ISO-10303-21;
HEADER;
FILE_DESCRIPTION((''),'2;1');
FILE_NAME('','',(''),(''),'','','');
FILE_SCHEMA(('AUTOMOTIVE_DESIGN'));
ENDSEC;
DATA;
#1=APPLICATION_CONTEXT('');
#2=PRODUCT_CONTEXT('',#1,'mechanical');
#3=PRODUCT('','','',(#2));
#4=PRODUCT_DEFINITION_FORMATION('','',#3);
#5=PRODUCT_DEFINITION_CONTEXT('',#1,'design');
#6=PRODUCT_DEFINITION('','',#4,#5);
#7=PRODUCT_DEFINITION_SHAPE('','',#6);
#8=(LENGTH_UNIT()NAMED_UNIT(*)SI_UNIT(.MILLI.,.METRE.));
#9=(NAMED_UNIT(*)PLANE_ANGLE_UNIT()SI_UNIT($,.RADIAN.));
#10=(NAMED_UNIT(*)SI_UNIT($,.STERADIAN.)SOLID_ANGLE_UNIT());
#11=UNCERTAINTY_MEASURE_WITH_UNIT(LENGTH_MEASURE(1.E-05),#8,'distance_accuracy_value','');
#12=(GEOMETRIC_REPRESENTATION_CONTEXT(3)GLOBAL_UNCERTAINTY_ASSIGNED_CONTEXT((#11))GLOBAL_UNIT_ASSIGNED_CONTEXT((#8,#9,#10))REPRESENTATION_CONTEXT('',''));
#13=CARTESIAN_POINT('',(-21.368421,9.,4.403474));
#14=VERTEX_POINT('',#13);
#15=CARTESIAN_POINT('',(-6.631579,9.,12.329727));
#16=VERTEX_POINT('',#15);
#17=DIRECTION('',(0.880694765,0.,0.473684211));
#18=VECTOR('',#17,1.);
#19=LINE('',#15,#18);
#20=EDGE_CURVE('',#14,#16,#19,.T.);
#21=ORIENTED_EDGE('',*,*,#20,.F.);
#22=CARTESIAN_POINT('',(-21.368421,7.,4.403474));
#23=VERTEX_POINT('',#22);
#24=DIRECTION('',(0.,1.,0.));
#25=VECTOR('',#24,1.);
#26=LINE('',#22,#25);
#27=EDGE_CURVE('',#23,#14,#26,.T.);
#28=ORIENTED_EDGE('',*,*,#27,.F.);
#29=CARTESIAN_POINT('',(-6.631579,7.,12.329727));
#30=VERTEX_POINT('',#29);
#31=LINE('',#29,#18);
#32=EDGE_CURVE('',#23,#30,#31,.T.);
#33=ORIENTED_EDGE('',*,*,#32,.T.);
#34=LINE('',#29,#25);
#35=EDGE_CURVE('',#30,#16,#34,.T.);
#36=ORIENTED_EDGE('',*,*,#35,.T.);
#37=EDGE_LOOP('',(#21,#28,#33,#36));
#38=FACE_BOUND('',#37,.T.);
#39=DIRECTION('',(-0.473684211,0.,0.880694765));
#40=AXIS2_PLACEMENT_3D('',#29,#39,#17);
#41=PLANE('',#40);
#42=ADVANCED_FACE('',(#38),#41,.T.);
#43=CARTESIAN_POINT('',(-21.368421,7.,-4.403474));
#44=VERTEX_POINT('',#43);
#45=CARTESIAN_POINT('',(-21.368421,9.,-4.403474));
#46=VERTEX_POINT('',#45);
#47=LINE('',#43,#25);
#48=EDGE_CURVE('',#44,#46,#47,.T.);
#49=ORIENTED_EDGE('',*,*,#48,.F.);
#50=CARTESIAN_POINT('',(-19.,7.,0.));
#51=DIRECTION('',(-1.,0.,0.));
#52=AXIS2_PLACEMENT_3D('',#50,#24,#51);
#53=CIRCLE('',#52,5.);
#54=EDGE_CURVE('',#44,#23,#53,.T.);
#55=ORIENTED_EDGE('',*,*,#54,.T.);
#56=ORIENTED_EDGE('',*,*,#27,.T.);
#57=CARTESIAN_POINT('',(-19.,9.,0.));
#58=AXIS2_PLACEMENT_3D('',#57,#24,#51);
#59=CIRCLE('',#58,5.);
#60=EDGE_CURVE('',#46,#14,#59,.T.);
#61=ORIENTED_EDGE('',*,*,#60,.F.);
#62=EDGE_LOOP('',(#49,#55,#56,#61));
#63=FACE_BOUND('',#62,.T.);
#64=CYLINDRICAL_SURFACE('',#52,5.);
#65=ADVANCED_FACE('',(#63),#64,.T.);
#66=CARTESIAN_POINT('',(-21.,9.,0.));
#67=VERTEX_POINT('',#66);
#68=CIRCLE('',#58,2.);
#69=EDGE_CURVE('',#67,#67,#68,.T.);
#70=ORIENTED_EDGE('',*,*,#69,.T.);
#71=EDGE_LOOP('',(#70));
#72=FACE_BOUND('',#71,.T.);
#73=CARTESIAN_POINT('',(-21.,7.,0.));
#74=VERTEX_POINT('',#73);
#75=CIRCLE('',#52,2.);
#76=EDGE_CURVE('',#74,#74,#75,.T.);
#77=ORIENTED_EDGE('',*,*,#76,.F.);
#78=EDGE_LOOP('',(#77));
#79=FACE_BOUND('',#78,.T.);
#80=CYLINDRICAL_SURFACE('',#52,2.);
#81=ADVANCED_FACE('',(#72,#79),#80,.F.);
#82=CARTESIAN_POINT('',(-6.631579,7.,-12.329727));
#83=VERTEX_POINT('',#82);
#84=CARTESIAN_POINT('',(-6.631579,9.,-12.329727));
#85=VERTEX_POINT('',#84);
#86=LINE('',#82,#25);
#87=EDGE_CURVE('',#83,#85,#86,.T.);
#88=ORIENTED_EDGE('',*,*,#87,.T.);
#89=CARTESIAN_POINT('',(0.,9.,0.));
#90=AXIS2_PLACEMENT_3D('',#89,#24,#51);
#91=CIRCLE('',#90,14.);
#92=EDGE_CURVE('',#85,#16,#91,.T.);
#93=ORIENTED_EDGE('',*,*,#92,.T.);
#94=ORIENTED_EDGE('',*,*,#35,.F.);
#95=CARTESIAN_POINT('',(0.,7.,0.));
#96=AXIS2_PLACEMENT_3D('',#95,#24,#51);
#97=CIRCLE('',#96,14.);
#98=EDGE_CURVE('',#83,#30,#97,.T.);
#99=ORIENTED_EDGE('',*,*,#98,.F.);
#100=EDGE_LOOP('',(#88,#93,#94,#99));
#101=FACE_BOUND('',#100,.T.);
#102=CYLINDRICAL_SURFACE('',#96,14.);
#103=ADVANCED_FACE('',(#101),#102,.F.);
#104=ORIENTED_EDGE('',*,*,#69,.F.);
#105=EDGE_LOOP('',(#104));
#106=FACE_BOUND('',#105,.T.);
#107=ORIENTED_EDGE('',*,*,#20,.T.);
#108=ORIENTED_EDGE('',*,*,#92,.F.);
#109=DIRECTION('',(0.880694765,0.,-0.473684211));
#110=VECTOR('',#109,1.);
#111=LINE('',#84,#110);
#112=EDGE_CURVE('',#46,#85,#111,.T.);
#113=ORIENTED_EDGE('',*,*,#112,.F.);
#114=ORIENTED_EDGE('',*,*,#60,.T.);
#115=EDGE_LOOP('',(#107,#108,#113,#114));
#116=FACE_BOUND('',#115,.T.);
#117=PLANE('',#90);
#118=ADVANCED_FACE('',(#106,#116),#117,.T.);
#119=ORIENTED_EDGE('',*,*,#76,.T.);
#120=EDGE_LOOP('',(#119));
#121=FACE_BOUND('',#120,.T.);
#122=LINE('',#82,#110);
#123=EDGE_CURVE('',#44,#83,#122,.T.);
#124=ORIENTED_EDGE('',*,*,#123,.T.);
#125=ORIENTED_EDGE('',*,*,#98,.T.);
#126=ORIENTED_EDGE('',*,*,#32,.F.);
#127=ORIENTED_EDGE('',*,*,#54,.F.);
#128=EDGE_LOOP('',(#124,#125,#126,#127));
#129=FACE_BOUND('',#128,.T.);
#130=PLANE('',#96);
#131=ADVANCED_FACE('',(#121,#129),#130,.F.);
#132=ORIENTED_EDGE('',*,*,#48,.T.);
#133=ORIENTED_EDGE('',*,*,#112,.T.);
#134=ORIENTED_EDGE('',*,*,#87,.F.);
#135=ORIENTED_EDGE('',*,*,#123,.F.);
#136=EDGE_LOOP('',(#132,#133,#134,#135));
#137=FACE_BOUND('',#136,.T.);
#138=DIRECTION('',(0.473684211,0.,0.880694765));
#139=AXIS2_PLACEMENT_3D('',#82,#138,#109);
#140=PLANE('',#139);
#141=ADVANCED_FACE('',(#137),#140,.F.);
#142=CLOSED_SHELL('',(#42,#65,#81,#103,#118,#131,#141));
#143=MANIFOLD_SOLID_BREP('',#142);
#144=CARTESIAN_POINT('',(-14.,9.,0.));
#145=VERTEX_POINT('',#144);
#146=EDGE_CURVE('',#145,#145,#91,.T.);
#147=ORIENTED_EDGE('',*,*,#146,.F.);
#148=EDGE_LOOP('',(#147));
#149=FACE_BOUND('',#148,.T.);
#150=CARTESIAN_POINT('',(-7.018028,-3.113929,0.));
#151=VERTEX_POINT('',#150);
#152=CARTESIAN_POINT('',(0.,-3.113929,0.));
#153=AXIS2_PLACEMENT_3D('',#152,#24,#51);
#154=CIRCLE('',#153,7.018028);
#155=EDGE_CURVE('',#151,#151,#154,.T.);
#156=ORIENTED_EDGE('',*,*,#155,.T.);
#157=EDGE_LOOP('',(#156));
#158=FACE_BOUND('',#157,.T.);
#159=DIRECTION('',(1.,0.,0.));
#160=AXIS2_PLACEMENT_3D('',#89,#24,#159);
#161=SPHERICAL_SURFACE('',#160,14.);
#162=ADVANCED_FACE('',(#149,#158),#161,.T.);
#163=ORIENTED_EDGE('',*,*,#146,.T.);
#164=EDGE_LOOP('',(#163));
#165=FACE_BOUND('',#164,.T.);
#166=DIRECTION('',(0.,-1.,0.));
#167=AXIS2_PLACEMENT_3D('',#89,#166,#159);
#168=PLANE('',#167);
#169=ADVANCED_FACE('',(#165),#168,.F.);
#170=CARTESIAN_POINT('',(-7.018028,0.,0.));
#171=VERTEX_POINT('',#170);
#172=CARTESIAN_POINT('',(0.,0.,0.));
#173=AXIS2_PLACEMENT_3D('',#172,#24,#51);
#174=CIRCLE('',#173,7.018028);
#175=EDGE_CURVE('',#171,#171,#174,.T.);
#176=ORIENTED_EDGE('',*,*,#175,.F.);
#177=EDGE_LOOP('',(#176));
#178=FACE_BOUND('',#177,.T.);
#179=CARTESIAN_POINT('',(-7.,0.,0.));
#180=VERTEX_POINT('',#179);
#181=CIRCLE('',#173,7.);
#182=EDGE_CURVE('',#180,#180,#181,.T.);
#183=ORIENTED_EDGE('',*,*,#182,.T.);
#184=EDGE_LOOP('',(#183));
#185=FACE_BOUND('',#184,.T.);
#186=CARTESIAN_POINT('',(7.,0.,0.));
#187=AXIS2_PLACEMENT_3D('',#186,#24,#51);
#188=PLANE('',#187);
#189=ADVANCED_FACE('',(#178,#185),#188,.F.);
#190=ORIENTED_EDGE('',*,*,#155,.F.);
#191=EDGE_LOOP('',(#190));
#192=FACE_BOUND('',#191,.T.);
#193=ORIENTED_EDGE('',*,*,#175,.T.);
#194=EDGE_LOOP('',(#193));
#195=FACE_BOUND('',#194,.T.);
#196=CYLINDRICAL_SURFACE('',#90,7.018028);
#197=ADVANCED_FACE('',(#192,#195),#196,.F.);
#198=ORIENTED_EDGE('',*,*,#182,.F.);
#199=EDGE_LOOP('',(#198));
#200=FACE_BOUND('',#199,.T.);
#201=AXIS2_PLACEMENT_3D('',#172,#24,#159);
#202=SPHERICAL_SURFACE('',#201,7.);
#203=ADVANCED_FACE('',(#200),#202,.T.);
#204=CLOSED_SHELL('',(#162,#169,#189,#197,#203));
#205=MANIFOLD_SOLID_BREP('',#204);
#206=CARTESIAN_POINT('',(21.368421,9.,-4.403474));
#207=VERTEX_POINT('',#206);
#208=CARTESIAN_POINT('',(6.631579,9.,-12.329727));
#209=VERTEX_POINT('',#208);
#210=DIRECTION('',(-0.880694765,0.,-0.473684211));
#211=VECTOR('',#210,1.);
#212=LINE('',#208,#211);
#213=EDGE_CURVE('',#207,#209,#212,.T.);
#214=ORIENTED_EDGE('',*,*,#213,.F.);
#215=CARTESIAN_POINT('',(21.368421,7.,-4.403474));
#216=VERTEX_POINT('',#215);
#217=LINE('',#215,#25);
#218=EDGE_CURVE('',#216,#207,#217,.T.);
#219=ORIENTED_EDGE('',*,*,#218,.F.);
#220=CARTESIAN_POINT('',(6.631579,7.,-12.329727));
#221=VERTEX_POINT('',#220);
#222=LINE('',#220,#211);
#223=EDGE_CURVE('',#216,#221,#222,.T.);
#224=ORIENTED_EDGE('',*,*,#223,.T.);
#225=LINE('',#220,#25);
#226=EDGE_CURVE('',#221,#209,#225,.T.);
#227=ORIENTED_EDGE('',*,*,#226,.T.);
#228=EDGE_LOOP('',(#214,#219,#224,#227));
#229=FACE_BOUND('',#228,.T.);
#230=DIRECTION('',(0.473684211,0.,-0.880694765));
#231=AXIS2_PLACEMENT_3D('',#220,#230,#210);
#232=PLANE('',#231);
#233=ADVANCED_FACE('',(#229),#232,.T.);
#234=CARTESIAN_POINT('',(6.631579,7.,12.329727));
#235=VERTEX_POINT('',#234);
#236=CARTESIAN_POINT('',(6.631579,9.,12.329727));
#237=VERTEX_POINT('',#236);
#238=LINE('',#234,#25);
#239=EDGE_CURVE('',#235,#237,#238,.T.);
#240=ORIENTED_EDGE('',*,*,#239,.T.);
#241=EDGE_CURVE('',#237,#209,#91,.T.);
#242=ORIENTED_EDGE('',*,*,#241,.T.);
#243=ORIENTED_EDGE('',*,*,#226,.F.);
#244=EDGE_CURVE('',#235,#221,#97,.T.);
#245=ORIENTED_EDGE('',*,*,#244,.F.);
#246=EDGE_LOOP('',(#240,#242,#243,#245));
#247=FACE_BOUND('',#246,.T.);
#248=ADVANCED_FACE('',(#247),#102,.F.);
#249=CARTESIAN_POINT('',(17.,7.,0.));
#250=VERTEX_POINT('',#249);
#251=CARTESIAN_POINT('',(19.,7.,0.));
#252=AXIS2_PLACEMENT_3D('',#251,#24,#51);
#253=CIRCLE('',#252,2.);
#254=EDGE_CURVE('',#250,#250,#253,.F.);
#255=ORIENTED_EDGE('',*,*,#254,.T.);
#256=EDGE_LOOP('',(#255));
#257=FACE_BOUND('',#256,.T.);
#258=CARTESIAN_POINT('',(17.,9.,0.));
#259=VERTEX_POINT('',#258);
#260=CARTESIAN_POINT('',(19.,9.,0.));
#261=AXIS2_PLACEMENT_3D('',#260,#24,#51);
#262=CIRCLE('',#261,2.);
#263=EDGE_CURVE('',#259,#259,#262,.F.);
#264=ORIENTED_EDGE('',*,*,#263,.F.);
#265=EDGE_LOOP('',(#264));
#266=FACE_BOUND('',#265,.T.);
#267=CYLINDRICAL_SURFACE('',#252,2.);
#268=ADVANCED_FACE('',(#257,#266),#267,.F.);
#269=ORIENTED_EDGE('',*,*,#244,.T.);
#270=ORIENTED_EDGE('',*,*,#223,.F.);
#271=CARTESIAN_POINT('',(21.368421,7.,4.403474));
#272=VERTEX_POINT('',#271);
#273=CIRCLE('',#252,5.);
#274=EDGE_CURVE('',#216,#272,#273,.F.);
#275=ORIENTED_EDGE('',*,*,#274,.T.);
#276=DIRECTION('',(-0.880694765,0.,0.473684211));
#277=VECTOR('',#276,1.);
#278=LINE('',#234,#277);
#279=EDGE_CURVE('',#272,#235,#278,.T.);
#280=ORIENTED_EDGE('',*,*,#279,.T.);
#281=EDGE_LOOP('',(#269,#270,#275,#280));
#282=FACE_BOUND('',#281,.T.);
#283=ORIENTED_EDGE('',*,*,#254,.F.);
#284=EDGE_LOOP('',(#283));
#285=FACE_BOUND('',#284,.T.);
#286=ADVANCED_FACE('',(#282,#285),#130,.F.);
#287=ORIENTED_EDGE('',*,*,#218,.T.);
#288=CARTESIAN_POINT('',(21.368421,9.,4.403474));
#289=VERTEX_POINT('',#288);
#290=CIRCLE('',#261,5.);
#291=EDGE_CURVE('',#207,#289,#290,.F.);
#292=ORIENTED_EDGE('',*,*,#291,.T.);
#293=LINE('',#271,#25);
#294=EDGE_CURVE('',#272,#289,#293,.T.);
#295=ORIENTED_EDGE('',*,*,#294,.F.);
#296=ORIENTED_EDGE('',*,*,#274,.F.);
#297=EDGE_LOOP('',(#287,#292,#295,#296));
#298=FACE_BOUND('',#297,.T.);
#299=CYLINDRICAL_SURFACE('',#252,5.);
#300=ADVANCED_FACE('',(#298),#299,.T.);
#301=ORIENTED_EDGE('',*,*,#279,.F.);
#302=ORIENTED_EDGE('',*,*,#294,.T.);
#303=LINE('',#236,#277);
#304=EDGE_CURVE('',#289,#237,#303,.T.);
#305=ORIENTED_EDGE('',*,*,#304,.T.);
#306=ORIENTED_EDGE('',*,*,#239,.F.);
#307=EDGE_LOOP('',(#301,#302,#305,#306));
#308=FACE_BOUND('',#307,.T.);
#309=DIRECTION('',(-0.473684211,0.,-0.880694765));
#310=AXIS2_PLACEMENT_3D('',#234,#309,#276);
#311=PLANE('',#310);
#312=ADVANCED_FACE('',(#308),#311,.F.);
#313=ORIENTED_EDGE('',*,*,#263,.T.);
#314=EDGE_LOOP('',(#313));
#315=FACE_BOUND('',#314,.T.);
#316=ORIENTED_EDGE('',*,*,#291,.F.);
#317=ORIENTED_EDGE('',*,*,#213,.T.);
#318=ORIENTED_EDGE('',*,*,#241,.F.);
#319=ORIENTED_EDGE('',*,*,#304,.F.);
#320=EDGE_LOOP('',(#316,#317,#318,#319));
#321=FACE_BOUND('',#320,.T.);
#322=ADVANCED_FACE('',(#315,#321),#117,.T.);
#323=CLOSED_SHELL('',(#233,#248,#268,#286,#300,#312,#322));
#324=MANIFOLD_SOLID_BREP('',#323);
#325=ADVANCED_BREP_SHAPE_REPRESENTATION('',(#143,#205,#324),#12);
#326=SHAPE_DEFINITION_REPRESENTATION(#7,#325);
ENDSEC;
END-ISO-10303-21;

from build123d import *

# Parameters (mm, degrees)
SKETCH2_R           = 5
SKETCH2_R_2         = 2
BOSS_EXTRUDE1_DEPTH = 2


with BuildPart() as part:
    # Sketch1 → Revolve1 (revolve)
    with BuildSketch(Plane.XY):
        with BuildLine():
            Line((0, 9), (14, 9))
            ThreePointArc((14, 9), (12.129558808, 2.009019874), (7.018028125, -3.113929224))
            Line((7.018028125, -3.113929224), (7.018028125, 0))
            Line((7.018028125, 0), (7, 0))
            ThreePointArc((7, 0), (4.949747468, -4.949747468), (0, -7))
            Line((0, -7), (0, 9))
        make_face()
    revolve(axis=Axis((0, 9, 0), (0, -1, 0)))


with BuildPart() as body_2:
    # Sketch2 → Boss-Extrude1 (new body)
    with BuildSketch(Plane(origin=(0, 9, 0), x_dir=(1, 0, 0), z_dir=(0, 1, 0))):
        with BuildLine():
            Line((21.368421053, 4.403473824), (6.631578947, 12.329726707))
            ThreePointArc((6.631578947, 12.329726707), (12.017531054, 7.181848465), (14, 0))
            ThreePointArc((14, 0), (16.43505412, 4.291975376), (21.368421053, 4.403473824))
        make_face()
        with BuildLine():
            ThreePointArc((21.368421053, -4.403473824), (16.43505412, -4.291975376), (14, 0))
            ThreePointArc((14, 0), (12.017531054, -7.181848465), (6.631578947, -12.329726707))
            Line((6.631578947, -12.329726707), (21.368421053, -4.403473824))
        make_face()
        with Locations((19, 0)):
            Circle(SKETCH2_R)
        with Locations((19, 0)):
            Circle(SKETCH2_R_2, mode=Mode.SUBTRACT)
        with BuildLine():
            ThreePointArc((-6.631578947, -12.329726707), (-12.017531054, -7.181848465), (-14, 0))
            ThreePointArc((-14, 0), (-16.43505412, -4.291975376), (-21.368421053, -4.403473824))
            Line((-21.368421053, -4.403473824), (-6.631578947, -12.329726707))
        make_face()
        with BuildLine():
            Line((-6.631578947, 12.329726707), (-21.368421053, 4.403473824))
            ThreePointArc((-21.368421053, 4.403473824), (-16.43505412, 4.291975376), (-14, 0))
            ThreePointArc((-14, 0), (-12.017531054, 7.181848465), (-6.631578947, 12.329726707))
        make_face()
        with Locations((-19, 0)):
            Circle(SKETCH2_R)
        with Locations((-19, 0)):
            Circle(SKETCH2_R_2, mode=Mode.SUBTRACT)
    extrude(amount=-BOSS_EXTRUDE1_DEPTH)


solid = Compound([part.part, body_2.part])
